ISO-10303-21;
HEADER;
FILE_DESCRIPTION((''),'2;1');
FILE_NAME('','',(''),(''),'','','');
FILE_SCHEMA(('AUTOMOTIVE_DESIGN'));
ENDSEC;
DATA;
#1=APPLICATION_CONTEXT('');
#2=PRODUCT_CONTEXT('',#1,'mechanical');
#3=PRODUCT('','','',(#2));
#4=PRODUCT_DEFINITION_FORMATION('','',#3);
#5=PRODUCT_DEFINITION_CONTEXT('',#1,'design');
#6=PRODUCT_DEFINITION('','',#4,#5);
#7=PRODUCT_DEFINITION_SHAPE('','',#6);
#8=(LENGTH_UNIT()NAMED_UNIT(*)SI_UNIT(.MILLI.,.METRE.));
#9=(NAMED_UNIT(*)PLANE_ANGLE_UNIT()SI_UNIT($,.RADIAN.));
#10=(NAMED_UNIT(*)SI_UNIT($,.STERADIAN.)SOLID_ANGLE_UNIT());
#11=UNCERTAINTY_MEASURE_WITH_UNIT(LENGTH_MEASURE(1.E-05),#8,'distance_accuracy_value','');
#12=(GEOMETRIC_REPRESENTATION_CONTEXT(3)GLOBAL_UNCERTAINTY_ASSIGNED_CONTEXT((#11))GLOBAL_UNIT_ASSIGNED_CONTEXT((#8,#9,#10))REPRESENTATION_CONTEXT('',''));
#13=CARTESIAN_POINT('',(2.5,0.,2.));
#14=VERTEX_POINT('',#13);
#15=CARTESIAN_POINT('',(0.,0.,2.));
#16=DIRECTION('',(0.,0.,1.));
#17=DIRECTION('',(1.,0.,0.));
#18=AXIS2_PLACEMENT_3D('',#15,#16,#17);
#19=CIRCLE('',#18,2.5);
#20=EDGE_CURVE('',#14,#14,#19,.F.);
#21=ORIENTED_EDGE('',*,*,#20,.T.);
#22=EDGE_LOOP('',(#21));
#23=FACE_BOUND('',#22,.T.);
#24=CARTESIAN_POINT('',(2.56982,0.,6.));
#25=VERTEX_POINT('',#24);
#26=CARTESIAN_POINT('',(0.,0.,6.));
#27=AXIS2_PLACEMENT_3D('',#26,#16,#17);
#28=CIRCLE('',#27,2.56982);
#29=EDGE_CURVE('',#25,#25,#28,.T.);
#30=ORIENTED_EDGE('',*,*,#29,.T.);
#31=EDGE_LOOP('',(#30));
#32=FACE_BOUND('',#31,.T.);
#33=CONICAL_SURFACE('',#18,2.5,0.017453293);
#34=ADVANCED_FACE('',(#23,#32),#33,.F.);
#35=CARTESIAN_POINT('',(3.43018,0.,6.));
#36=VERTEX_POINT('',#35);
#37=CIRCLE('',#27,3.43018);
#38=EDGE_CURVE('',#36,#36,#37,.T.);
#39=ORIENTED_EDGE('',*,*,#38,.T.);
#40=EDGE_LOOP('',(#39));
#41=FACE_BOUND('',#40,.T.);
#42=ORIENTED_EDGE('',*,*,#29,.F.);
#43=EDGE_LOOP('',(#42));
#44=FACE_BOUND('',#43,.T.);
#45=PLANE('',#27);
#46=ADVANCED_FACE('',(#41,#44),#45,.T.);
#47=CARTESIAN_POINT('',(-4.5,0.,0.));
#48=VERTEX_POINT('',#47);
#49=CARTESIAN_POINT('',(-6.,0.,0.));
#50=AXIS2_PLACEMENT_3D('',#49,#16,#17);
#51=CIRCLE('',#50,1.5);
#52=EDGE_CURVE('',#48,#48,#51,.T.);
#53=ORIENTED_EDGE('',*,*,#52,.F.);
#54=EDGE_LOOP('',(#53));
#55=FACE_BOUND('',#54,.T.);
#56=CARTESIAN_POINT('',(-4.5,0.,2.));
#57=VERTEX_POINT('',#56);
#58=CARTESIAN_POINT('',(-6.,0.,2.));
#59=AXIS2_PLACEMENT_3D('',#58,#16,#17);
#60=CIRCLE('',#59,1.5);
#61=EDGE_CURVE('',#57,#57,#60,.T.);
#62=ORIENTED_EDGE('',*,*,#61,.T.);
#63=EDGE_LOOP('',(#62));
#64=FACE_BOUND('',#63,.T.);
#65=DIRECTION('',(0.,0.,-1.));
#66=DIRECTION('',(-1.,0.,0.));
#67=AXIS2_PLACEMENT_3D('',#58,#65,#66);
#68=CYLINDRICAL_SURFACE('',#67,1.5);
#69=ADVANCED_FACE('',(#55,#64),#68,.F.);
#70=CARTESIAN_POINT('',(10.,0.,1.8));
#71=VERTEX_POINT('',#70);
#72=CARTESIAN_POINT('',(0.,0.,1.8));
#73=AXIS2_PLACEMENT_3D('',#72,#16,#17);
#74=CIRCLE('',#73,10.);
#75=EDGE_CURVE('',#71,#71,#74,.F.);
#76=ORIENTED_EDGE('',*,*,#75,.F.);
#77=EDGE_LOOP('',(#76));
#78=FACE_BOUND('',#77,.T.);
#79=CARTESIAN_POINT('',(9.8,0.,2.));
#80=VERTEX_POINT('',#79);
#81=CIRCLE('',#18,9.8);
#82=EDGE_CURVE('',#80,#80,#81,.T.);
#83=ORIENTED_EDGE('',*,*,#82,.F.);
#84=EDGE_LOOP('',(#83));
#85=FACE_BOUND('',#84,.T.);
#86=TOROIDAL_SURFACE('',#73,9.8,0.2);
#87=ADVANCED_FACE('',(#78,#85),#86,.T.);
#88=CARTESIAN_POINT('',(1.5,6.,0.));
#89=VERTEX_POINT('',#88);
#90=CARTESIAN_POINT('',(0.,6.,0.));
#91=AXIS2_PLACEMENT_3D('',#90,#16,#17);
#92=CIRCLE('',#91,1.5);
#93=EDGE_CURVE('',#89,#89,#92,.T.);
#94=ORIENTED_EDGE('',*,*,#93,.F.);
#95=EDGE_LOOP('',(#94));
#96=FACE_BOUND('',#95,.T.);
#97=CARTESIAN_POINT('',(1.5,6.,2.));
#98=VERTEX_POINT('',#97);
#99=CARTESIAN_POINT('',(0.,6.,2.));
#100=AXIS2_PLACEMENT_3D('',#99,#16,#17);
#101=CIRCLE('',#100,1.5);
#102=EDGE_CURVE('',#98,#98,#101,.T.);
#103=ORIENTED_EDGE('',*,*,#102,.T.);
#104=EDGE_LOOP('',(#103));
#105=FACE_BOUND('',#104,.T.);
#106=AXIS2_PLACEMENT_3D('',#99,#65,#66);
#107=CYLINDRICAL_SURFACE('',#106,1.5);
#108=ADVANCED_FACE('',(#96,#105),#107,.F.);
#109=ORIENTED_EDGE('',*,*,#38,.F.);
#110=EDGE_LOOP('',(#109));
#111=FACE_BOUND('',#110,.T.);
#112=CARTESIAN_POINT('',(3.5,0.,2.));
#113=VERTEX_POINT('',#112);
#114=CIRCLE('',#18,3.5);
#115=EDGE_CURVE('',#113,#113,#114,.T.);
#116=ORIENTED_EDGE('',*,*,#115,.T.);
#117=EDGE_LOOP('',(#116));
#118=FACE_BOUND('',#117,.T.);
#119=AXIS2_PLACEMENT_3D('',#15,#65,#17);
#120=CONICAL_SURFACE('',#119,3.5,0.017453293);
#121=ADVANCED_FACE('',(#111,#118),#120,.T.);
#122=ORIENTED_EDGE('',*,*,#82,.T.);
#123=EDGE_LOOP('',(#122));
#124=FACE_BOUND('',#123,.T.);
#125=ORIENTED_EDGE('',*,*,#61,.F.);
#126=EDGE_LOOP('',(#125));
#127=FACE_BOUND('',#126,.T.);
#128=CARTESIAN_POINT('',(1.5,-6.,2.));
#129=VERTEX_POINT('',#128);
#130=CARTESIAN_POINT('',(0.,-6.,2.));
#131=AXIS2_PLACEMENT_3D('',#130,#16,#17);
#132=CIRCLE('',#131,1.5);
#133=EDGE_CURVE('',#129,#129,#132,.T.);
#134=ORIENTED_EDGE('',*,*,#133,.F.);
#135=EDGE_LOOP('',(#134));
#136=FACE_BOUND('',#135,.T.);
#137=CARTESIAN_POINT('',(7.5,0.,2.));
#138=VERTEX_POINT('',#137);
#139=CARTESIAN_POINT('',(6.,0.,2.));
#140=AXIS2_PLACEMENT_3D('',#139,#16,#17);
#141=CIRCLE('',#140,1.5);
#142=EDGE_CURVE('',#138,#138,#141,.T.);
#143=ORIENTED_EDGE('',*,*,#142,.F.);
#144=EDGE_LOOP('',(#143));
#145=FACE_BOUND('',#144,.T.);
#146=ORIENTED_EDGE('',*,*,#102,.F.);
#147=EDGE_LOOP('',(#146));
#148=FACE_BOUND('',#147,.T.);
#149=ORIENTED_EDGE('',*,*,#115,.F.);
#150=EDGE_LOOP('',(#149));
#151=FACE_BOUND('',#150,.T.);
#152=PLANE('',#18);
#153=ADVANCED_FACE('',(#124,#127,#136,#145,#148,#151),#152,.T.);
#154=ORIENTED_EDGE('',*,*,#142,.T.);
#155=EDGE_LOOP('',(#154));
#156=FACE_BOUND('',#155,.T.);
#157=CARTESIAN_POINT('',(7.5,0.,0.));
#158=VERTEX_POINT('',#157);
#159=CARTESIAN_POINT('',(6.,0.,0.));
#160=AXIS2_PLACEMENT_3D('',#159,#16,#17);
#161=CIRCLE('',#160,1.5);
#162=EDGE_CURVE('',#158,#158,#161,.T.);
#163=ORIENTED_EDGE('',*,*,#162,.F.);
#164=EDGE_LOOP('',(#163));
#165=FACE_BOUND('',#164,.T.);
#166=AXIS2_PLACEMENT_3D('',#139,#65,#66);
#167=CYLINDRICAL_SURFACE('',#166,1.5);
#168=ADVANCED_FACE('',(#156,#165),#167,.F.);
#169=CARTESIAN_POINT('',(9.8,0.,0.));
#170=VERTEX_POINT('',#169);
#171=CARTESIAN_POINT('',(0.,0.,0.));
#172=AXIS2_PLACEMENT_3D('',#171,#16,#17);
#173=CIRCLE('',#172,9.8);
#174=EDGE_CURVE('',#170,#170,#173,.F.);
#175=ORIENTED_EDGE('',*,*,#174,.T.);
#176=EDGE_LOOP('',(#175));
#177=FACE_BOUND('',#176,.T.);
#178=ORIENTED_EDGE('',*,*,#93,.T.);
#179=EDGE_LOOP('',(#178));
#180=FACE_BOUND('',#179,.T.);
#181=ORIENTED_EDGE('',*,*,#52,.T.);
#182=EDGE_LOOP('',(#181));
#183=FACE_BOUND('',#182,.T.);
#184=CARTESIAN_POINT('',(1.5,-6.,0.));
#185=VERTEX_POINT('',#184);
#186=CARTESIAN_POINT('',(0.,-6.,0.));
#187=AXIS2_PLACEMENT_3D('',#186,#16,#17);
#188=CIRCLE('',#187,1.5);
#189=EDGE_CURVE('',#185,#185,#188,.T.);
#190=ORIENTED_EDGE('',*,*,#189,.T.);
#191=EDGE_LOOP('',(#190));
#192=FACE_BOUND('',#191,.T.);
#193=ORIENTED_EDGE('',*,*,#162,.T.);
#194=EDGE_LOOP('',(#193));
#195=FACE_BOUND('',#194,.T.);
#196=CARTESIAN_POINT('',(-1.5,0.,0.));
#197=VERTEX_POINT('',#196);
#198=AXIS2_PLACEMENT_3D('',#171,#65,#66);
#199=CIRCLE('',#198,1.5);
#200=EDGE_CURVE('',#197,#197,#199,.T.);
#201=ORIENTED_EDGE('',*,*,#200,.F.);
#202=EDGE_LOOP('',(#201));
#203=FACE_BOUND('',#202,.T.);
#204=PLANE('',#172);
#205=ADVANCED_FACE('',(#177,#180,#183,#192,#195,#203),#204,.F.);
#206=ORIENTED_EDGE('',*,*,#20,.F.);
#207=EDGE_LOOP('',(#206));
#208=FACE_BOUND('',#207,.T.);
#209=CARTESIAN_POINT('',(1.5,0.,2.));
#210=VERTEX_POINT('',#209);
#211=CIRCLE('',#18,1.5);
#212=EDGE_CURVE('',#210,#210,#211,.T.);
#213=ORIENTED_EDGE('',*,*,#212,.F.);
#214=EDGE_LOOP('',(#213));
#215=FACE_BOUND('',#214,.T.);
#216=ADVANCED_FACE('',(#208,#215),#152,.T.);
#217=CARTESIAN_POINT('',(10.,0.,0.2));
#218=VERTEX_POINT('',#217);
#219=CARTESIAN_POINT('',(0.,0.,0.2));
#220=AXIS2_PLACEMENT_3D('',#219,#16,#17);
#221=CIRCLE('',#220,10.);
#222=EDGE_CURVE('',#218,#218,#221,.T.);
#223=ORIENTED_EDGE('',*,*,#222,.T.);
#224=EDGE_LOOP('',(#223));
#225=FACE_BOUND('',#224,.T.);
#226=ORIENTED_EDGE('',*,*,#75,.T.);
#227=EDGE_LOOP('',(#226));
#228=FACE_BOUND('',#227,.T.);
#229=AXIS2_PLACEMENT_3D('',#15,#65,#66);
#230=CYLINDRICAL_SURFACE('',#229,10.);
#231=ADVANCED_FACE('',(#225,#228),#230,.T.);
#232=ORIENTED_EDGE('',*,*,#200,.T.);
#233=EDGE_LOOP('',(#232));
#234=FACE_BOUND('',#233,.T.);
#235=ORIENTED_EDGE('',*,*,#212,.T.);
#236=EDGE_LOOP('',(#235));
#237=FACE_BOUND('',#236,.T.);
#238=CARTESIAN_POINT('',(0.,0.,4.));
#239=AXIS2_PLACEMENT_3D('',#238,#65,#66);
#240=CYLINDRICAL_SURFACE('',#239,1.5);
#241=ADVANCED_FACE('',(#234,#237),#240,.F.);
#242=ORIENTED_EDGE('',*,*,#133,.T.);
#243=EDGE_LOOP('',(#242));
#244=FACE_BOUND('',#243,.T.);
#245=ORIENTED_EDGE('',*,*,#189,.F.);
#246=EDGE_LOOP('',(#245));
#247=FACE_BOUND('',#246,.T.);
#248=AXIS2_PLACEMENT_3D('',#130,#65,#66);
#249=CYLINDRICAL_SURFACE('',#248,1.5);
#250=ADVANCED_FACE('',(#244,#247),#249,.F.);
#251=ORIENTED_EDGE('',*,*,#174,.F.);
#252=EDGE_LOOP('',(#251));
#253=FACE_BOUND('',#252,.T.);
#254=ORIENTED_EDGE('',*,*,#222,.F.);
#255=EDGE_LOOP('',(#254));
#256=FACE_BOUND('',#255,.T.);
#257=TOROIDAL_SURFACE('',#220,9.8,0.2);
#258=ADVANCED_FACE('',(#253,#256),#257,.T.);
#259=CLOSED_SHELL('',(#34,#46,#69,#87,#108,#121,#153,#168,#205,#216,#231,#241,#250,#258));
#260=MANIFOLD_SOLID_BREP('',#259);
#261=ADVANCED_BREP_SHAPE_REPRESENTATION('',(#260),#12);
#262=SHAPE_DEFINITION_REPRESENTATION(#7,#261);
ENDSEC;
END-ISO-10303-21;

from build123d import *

# Parameters (mm, degrees)
IZIM1_R                     = 10
IZIM1_R_2                   = 1.5
Y_KSEKLIK_EKSTR_ZYON1_DEPTH = 2
RADYUS1_R                   = 0.2
IZIM2_R                     = 3.5
IZIM2_R_2                   = 2.5
Y_KSEKLIK_EKSTR_ZYON2_DEPTH = 4
Y_KSEKLIK_EKSTR_ZYON2_TAPER = 1
IZIM3_R                     = 1.5
KES_EKSTR_ZYON1_DEPTH       = 4


with BuildPart() as part:
    # Çizim1 → Yükseklik-Ekstrüzyon1 (new body)
    with BuildSketch(Plane.XY):
        Circle(IZIM1_R)
        with Locations((0, 6)):
            Circle(IZIM1_R_2, mode=Mode.SUBTRACT)
        with Locations((6, 0)):
            Circle(IZIM1_R_2, mode=Mode.SUBTRACT)
        with Locations((0, -6)):
            Circle(IZIM1_R_2, mode=Mode.SUBTRACT)
        with Locations((-6, 0)):
            Circle(IZIM1_R_2, mode=Mode.SUBTRACT)
    extrude(amount=Y_KSEKLIK_EKSTR_ZYON1_DEPTH)

    # Radyus1
    radyus1_edges = [part.edges().sort_by_distance(p)[0] for p in [
        (-10, 0, 0),
        (-10, 0, 2),
    ]]
    fillet(radyus1_edges, radius=RADYUS1_R)

    # Çizim2 → Yükseklik-Ekstrüzyon2 (add)
    with BuildSketch(Plane.XY.offset(2)):
        Circle(IZIM2_R)
        Circle(IZIM2_R_2, mode=Mode.SUBTRACT)
    extrude(amount=Y_KSEKLIK_EKSTR_ZYON2_DEPTH, taper=Y_KSEKLIK_EKSTR_ZYON2_TAPER)

    # Çizim3 → Kes-Ekstrüzyon1 (cut)
    with BuildSketch(Plane(origin=(0, 0, 0), x_dir=(-1, 0, 0), z_dir=(0, 0, -1))):
        Circle(IZIM3_R)
    extrude(amount=-KES_EKSTR_ZYON1_DEPTH, mode=Mode.SUBTRACT)


solid = part.part
